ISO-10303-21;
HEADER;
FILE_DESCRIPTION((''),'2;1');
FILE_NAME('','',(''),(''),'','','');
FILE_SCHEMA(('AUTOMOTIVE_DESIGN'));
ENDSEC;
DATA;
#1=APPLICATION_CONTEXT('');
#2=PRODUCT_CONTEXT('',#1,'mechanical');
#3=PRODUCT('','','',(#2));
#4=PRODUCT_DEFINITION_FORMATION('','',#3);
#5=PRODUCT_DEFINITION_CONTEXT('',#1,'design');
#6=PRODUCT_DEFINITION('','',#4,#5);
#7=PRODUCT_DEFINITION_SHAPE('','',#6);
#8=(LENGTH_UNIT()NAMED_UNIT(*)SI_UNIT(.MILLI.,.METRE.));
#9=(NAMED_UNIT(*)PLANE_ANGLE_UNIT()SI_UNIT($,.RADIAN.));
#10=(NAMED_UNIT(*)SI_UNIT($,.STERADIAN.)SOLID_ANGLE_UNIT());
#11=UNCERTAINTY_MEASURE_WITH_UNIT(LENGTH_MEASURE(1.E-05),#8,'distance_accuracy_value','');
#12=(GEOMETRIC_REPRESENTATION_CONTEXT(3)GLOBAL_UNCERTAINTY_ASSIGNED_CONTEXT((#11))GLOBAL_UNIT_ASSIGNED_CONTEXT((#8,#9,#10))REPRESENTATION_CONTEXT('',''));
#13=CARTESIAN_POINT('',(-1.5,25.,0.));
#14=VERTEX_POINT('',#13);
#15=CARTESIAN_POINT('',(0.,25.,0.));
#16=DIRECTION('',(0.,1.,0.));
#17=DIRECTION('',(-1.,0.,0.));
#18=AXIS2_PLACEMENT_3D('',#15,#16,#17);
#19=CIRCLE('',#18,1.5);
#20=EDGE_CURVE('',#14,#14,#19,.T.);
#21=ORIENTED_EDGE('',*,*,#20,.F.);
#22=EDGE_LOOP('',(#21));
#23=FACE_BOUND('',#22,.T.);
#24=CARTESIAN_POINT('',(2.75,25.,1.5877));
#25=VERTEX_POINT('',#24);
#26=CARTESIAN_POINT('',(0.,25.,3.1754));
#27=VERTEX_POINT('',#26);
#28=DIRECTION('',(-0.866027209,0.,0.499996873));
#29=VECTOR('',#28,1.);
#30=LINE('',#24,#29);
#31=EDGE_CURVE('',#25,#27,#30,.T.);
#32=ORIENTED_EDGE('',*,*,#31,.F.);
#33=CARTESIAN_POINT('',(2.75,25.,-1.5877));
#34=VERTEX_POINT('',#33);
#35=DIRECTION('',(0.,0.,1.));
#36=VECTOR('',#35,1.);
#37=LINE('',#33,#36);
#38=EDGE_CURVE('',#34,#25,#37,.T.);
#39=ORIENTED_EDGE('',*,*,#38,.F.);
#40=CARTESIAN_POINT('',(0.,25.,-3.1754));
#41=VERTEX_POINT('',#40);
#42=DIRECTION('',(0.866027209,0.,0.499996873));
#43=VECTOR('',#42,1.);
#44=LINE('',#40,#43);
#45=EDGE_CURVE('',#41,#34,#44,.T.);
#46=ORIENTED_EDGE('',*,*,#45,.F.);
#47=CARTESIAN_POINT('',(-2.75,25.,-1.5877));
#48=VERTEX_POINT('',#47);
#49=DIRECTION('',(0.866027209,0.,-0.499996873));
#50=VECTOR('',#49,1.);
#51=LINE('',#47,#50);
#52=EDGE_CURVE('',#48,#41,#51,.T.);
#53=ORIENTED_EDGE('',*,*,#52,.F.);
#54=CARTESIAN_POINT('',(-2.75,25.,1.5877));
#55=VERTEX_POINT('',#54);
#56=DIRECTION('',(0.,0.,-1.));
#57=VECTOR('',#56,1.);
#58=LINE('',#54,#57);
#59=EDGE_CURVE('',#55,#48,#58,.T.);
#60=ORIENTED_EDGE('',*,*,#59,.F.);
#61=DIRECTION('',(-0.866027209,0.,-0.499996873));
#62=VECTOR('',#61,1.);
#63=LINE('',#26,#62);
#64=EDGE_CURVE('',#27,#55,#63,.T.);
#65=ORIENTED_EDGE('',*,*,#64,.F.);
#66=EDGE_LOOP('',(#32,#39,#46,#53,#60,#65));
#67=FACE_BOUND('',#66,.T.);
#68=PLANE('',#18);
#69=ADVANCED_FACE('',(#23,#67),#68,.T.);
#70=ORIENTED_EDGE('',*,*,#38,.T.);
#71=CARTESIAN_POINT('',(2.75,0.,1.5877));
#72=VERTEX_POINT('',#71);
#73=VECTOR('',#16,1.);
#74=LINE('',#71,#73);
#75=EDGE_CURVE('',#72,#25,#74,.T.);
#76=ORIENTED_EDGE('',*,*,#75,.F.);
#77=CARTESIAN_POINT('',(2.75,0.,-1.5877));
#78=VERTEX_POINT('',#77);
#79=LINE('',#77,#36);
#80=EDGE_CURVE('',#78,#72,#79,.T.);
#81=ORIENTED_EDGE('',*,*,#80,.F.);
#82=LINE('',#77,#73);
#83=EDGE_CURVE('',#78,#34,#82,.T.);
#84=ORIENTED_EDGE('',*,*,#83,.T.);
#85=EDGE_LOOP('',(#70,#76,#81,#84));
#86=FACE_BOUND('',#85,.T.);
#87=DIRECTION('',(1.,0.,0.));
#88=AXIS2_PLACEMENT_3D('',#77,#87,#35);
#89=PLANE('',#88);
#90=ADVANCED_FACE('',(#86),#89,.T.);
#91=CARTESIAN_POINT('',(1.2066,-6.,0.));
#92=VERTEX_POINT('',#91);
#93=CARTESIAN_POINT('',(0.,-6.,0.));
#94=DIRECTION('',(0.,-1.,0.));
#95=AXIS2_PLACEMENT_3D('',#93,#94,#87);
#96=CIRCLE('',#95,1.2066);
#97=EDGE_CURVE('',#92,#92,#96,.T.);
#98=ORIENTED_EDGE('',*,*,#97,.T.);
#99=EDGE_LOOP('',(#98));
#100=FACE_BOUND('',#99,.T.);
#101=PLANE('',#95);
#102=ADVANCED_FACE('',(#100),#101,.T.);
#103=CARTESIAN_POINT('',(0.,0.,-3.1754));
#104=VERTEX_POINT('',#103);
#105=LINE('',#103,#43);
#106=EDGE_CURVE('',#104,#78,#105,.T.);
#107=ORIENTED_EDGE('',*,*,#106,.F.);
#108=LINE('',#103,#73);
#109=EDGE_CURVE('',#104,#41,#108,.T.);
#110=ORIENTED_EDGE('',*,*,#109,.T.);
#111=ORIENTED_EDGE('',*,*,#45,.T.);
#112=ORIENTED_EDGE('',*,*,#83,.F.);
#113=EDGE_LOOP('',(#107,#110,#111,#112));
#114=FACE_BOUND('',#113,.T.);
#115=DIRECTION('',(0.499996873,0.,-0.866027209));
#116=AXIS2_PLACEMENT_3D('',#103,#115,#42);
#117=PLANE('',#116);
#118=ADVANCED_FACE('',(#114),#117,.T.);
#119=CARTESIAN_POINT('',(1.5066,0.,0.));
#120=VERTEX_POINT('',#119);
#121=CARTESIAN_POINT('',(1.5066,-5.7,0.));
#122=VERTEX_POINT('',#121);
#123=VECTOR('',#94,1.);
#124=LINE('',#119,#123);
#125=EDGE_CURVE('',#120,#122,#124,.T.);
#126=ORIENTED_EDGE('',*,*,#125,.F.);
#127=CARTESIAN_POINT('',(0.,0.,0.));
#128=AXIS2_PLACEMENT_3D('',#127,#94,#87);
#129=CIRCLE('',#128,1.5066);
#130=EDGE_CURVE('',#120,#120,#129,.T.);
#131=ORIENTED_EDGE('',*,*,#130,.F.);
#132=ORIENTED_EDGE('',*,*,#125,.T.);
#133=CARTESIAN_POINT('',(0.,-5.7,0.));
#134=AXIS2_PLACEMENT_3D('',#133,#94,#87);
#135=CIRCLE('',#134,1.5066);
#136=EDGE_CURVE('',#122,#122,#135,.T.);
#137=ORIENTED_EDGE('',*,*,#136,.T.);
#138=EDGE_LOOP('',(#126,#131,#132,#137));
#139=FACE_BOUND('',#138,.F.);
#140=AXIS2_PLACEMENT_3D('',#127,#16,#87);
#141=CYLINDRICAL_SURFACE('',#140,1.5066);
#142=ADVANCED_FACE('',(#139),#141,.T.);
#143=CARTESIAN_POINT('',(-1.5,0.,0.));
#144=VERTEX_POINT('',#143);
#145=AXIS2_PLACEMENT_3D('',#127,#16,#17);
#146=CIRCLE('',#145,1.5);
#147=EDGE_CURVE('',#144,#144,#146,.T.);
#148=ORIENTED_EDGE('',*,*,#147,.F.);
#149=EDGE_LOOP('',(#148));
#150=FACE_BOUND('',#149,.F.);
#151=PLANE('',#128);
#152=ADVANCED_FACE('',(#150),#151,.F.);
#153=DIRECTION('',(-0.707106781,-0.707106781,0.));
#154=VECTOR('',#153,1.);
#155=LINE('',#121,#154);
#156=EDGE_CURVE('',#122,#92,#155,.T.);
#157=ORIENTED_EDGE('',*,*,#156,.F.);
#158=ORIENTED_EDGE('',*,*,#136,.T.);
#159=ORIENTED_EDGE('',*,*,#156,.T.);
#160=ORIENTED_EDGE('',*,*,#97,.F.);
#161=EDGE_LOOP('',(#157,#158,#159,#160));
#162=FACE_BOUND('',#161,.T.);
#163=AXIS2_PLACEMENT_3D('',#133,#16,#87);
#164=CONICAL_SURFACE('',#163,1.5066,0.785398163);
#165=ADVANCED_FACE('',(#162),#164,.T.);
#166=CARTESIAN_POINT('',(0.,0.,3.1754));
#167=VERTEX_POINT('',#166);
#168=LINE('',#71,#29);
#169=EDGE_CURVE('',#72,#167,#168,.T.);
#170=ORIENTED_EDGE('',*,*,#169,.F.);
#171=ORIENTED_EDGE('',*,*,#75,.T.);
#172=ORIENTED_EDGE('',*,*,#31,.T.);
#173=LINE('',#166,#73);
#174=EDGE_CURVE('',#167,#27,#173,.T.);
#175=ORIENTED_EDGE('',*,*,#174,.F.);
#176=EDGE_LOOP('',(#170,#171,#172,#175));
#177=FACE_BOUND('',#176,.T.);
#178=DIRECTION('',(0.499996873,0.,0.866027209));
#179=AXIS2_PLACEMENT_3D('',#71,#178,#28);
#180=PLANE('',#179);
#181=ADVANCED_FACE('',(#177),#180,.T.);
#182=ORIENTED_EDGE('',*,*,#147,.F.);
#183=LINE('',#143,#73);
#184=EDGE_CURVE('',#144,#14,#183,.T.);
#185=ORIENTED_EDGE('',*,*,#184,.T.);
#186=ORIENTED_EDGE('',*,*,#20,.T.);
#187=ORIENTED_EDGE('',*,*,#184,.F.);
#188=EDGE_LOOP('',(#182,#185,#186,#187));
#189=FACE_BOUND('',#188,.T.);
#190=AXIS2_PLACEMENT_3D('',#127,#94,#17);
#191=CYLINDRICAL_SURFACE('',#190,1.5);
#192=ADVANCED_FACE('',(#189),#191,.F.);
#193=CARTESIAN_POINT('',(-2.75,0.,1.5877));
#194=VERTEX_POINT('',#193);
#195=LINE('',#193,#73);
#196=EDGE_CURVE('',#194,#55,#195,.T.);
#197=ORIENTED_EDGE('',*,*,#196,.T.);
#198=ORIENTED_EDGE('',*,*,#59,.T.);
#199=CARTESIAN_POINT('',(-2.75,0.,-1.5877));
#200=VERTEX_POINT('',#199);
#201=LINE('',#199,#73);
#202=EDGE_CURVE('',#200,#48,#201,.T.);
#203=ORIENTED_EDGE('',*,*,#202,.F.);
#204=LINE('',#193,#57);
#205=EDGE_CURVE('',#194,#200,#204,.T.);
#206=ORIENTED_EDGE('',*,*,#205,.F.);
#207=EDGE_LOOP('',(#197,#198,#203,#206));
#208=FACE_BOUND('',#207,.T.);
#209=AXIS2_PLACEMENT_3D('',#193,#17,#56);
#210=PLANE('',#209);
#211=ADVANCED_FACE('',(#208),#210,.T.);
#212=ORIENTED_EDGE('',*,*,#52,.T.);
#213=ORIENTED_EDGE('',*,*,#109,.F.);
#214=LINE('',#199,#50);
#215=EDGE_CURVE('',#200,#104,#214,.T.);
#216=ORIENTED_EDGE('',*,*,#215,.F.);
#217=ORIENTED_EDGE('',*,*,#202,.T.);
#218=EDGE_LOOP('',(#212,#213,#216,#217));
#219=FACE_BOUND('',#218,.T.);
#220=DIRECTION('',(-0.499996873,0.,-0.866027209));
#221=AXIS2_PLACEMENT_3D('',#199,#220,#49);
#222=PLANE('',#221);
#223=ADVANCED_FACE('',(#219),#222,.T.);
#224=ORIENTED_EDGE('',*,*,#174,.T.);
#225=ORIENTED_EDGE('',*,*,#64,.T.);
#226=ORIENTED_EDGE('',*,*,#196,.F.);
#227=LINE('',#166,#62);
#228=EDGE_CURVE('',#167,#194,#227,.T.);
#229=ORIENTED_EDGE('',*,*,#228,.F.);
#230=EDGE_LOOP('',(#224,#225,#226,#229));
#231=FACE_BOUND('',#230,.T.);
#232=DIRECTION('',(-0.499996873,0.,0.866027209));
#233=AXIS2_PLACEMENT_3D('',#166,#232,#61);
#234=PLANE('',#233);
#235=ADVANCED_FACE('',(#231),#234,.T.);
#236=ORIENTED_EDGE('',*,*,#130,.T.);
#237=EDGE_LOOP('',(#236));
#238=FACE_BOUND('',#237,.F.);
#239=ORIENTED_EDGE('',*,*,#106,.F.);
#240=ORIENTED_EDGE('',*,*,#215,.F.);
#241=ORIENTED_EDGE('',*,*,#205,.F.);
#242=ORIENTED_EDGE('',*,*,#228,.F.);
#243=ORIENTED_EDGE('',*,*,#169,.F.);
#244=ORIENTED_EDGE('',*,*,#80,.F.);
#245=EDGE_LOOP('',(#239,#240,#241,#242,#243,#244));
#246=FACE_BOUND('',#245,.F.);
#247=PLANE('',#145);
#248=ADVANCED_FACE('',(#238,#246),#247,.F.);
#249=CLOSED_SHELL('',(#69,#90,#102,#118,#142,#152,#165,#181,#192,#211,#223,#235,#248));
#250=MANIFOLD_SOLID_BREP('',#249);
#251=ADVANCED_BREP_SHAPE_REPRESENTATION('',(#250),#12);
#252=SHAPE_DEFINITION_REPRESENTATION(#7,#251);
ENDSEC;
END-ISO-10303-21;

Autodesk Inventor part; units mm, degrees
ref_plane "YZ Plane" through (0, 0, 0) normal (1, 0, 0) x (0, 1, 0)
ref_plane "XZ Plane" through (0, 0, 0) normal (0, 1, 0) x (-1, 0, 0)
ref_plane "XY Plane" through (0, 0, 0) normal (0, 0, 1) x (1, 0, 0)
sketch "Sketch1" plane through (0, 0, 0) normal (0, 1, 0) x (-1, 0, 0)
  circle A0 centre (0, 0) radius 1.5
  line L0 (0, 3.1754) -> (2.75, 1.5877)
  line L1 (2.75, 1.5877) -> (2.75, -1.5877)
  line L2 (2.75, -1.5877) -> (0, -3.1754)
  line L3 (0, -3.1754) -> (-2.75, -1.5877)
  line L4 (-2.75, -1.5877) -> (-2.75, 1.5877)
  line L5 (-2.75, 1.5877) -> (0, 3.1754)
  dimension "d0" = 3
  dimension "d4" = 5.5
extrude "Extrusion1" add sketch "Sketch1" along normal blind 25
thread "Thread2" size "M3x0.5" class "6H" standard "ANSI Metric M Profile" full length
sketch "Sketch3" plane through (0, 0, 0) normal (0, -1, 0) x (1, 0, 0)
  circle A0 centre (0, 0) radius 1.5066
extrude "Extrusion3" add sketch "Sketch3" along normal blind 6
thread "Thread3" size "M3.5x0.6" class "6g" standard "ANSI Metric M Profile" full length
chamfer "Chamfer1" distance 0.3 angle 45 1 edges at (-1.5066, -6, 0)
properties part number "Spacer" material "Nylon 6"
